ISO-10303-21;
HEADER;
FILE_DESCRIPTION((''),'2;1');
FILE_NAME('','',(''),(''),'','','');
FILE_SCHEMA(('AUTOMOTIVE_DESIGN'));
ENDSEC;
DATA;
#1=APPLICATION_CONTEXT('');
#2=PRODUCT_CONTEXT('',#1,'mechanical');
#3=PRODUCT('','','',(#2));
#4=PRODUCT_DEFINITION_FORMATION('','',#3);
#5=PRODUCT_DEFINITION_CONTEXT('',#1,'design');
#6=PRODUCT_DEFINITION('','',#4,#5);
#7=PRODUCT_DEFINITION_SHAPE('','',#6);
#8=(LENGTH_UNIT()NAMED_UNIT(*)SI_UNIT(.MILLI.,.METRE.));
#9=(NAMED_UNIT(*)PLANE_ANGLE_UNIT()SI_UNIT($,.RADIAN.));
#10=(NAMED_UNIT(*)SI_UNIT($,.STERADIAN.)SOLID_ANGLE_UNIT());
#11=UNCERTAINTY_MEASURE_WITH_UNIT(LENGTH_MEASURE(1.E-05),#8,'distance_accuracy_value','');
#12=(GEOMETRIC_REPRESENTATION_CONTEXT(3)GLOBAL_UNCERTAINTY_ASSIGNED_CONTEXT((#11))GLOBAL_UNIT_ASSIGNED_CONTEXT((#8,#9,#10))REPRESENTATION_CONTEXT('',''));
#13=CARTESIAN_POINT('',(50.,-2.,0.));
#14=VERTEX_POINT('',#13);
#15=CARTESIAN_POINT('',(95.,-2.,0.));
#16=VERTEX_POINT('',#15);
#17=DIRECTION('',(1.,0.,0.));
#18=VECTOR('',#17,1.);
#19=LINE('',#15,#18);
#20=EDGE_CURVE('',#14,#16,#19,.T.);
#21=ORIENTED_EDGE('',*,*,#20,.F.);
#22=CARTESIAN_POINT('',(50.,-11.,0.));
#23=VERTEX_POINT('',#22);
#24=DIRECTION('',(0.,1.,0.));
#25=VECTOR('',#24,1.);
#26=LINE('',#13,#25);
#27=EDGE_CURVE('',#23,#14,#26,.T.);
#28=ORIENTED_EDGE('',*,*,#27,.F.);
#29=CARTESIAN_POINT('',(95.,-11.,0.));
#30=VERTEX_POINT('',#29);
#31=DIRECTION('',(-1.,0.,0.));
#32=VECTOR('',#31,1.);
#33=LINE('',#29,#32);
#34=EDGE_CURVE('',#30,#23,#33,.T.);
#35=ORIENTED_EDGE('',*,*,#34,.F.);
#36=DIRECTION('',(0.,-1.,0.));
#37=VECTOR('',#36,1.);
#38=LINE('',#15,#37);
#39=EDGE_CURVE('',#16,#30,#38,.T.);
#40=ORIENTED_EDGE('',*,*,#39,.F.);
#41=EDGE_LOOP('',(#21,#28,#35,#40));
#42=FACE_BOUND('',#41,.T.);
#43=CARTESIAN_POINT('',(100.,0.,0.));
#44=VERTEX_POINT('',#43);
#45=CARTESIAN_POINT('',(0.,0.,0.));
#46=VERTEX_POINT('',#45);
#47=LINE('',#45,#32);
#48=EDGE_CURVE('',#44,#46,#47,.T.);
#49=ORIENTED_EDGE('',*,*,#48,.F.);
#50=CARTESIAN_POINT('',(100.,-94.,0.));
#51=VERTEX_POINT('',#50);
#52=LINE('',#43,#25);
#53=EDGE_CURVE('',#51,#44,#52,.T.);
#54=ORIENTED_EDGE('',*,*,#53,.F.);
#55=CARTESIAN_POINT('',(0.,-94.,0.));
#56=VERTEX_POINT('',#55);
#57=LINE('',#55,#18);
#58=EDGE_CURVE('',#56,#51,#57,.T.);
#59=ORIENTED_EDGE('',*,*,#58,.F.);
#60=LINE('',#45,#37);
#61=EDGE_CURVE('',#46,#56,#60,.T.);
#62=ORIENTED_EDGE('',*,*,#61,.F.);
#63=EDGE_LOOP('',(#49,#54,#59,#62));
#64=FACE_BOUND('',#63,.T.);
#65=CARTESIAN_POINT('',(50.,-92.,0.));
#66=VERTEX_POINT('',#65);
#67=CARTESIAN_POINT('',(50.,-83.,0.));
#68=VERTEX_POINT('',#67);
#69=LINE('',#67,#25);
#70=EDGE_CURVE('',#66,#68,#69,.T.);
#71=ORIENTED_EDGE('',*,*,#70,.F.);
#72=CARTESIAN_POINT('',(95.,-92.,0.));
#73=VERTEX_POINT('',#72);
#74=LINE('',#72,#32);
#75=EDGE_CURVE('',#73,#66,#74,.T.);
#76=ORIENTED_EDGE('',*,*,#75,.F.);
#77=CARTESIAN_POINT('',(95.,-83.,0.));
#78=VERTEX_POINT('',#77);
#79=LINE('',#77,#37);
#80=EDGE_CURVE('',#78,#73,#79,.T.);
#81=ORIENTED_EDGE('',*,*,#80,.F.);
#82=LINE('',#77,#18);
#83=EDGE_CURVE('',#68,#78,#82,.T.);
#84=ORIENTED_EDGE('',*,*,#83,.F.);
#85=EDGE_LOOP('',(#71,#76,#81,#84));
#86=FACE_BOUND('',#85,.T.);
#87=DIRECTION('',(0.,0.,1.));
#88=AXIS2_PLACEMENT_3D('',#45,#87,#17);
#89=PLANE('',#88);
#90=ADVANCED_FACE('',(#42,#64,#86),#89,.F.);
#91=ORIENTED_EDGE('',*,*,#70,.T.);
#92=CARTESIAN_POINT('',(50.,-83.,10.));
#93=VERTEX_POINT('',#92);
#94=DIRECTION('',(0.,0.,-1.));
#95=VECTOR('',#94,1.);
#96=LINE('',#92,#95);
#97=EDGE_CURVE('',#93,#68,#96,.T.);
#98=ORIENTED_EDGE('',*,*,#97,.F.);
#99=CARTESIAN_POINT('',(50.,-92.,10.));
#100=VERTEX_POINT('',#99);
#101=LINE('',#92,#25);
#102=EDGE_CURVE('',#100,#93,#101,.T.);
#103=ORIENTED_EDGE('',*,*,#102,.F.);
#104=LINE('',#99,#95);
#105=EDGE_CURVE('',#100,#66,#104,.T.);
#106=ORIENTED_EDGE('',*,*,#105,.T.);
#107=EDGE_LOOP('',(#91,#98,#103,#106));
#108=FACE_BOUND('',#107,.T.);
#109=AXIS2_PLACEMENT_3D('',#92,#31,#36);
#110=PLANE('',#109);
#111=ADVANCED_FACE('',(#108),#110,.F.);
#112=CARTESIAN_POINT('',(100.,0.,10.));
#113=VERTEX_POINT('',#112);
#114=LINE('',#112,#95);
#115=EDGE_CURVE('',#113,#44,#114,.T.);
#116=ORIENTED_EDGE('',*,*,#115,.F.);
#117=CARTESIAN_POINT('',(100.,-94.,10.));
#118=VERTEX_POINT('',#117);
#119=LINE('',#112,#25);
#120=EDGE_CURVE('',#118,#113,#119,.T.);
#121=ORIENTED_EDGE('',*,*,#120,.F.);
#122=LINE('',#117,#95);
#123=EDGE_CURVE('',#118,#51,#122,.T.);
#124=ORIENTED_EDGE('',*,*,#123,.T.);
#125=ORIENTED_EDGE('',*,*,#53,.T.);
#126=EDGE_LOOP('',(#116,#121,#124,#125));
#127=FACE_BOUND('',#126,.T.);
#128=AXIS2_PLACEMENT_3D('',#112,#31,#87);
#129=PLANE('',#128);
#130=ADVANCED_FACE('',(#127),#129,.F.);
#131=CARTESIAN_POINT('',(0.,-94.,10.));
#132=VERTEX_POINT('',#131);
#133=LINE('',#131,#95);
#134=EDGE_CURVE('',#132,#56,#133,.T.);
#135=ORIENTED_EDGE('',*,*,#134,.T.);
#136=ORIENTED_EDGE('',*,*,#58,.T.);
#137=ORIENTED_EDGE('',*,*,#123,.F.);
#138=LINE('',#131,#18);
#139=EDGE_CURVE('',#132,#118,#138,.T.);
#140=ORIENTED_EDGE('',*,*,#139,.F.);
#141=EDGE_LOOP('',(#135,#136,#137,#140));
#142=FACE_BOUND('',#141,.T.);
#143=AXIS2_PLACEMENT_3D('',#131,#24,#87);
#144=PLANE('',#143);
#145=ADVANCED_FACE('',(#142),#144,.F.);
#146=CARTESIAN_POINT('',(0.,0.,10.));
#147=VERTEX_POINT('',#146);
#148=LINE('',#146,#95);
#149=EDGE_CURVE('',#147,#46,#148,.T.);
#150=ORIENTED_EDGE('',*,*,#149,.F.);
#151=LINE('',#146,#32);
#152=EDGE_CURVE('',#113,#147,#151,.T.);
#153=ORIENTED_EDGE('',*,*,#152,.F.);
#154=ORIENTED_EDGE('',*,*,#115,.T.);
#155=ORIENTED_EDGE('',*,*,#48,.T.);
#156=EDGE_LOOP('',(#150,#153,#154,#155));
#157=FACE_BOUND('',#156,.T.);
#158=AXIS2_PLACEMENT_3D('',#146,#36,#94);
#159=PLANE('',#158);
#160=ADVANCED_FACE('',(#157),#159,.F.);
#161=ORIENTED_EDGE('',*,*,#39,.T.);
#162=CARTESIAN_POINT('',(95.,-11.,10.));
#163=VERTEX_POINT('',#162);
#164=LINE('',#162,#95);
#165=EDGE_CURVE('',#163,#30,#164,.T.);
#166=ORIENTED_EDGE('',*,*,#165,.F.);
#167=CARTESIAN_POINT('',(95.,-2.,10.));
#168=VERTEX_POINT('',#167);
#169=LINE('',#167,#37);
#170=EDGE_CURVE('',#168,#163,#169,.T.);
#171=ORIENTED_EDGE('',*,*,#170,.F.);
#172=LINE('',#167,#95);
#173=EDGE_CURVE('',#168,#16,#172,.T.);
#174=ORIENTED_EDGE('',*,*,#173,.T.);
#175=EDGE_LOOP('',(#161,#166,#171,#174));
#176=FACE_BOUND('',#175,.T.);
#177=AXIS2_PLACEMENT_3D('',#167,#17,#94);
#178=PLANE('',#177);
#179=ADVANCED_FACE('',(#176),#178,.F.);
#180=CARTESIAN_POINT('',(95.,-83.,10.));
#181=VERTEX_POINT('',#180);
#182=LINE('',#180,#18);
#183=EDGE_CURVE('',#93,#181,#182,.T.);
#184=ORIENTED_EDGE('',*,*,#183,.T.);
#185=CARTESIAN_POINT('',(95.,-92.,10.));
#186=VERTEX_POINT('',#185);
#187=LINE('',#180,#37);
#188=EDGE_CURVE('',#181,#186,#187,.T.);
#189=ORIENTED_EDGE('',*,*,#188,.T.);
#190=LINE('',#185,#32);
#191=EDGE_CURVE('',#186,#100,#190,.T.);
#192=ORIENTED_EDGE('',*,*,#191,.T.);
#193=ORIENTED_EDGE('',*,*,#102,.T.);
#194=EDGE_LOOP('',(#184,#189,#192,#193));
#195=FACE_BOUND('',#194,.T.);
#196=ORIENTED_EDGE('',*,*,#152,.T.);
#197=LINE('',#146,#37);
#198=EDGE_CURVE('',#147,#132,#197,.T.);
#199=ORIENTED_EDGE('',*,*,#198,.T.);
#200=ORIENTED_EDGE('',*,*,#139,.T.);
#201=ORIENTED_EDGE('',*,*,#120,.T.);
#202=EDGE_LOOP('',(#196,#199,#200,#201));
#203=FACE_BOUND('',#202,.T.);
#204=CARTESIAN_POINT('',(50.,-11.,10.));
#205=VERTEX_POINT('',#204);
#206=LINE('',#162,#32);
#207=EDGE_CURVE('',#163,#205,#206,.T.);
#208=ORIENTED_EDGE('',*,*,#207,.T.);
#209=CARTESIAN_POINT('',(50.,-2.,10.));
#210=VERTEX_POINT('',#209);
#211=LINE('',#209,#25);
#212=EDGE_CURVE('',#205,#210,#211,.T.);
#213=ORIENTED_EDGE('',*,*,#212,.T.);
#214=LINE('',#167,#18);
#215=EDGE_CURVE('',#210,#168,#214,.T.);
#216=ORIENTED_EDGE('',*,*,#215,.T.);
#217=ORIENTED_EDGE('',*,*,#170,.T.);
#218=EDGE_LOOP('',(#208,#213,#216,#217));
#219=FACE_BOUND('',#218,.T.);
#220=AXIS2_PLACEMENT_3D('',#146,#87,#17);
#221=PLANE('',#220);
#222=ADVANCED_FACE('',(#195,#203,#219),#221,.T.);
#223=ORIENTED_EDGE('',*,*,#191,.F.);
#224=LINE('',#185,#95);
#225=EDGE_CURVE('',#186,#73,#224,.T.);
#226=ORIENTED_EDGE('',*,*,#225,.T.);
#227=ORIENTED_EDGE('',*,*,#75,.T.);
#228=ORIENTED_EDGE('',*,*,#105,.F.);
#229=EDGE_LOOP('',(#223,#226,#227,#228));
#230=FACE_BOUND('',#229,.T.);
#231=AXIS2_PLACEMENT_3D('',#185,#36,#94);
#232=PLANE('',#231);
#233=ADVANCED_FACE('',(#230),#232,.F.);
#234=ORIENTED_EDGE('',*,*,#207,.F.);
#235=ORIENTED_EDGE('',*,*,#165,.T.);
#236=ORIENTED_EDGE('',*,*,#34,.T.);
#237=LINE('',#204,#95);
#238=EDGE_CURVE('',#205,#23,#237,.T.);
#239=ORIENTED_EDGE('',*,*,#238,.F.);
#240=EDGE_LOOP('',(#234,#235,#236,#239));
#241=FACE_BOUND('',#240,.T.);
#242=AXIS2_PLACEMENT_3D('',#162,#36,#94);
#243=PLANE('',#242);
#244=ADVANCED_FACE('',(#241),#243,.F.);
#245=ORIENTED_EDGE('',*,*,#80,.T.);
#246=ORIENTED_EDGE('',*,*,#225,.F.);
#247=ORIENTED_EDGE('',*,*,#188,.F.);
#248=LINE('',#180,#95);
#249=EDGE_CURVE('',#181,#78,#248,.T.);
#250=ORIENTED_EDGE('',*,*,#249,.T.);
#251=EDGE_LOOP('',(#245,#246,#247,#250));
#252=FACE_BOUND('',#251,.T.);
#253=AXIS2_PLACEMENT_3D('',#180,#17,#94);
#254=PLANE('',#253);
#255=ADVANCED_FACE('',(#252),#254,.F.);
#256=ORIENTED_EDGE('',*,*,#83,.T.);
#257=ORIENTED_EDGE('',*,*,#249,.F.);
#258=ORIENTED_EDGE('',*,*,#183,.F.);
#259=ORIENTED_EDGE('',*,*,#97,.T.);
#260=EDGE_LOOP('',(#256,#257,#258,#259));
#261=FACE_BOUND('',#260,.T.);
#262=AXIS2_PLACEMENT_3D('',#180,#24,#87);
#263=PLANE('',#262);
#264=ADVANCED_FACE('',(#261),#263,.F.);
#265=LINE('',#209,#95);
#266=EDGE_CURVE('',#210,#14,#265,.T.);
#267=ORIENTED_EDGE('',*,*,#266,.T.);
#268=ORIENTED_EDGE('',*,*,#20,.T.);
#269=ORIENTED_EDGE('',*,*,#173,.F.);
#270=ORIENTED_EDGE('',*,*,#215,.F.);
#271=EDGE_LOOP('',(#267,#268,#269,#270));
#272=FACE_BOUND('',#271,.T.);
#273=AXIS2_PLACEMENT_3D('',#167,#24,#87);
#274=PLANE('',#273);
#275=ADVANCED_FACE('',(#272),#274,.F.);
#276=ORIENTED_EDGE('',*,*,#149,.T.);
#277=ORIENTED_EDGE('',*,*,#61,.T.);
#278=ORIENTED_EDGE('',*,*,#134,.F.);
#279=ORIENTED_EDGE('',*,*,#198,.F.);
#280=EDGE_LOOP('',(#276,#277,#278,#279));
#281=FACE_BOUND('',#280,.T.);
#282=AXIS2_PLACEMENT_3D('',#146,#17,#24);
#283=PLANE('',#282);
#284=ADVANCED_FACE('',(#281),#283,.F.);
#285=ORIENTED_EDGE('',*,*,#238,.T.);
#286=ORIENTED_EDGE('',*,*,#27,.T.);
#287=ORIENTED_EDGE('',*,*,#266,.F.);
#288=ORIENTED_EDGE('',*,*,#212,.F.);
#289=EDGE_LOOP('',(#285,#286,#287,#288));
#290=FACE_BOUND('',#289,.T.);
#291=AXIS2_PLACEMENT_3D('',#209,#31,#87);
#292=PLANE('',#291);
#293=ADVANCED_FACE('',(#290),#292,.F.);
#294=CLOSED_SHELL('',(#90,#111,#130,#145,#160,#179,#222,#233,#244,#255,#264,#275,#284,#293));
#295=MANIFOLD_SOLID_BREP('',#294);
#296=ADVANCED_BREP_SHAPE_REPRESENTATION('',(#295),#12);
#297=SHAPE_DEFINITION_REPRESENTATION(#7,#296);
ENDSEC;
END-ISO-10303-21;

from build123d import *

# Parameters (mm, degrees)
SKETCH1_W           = 100
SKETCH1_H           = 94
BOSS_EXTRUDE1_DEPTH = 10
SKETCH2_W           = 45
SKETCH2_H           = 9
CUT_EXTRUDE1_DEPTH  = 10


with BuildPart() as part:
    # Sketch1 → Boss-Extrude1 (new body)
    with BuildSketch(Plane.XY):
        with Locations((50, -47)):
            Rectangle(SKETCH1_W, SKETCH1_H)
    extrude(amount=BOSS_EXTRUDE1_DEPTH)

    # Sketch2 → Cut-Extrude1 (cut)
    with BuildSketch(Plane(origin=(0, 0, 0), x_dir=(-1, 0, 0), z_dir=(0, 0, -1))):
        with Locations((-72.5, -87.5)):
            Rectangle(SKETCH2_W, SKETCH2_H)
        with Locations((-72.5, -6.5)):
            Rectangle(SKETCH2_W, SKETCH2_H)
    extrude(amount=-CUT_EXTRUDE1_DEPTH, mode=Mode.SUBTRACT)


solid = part.part
